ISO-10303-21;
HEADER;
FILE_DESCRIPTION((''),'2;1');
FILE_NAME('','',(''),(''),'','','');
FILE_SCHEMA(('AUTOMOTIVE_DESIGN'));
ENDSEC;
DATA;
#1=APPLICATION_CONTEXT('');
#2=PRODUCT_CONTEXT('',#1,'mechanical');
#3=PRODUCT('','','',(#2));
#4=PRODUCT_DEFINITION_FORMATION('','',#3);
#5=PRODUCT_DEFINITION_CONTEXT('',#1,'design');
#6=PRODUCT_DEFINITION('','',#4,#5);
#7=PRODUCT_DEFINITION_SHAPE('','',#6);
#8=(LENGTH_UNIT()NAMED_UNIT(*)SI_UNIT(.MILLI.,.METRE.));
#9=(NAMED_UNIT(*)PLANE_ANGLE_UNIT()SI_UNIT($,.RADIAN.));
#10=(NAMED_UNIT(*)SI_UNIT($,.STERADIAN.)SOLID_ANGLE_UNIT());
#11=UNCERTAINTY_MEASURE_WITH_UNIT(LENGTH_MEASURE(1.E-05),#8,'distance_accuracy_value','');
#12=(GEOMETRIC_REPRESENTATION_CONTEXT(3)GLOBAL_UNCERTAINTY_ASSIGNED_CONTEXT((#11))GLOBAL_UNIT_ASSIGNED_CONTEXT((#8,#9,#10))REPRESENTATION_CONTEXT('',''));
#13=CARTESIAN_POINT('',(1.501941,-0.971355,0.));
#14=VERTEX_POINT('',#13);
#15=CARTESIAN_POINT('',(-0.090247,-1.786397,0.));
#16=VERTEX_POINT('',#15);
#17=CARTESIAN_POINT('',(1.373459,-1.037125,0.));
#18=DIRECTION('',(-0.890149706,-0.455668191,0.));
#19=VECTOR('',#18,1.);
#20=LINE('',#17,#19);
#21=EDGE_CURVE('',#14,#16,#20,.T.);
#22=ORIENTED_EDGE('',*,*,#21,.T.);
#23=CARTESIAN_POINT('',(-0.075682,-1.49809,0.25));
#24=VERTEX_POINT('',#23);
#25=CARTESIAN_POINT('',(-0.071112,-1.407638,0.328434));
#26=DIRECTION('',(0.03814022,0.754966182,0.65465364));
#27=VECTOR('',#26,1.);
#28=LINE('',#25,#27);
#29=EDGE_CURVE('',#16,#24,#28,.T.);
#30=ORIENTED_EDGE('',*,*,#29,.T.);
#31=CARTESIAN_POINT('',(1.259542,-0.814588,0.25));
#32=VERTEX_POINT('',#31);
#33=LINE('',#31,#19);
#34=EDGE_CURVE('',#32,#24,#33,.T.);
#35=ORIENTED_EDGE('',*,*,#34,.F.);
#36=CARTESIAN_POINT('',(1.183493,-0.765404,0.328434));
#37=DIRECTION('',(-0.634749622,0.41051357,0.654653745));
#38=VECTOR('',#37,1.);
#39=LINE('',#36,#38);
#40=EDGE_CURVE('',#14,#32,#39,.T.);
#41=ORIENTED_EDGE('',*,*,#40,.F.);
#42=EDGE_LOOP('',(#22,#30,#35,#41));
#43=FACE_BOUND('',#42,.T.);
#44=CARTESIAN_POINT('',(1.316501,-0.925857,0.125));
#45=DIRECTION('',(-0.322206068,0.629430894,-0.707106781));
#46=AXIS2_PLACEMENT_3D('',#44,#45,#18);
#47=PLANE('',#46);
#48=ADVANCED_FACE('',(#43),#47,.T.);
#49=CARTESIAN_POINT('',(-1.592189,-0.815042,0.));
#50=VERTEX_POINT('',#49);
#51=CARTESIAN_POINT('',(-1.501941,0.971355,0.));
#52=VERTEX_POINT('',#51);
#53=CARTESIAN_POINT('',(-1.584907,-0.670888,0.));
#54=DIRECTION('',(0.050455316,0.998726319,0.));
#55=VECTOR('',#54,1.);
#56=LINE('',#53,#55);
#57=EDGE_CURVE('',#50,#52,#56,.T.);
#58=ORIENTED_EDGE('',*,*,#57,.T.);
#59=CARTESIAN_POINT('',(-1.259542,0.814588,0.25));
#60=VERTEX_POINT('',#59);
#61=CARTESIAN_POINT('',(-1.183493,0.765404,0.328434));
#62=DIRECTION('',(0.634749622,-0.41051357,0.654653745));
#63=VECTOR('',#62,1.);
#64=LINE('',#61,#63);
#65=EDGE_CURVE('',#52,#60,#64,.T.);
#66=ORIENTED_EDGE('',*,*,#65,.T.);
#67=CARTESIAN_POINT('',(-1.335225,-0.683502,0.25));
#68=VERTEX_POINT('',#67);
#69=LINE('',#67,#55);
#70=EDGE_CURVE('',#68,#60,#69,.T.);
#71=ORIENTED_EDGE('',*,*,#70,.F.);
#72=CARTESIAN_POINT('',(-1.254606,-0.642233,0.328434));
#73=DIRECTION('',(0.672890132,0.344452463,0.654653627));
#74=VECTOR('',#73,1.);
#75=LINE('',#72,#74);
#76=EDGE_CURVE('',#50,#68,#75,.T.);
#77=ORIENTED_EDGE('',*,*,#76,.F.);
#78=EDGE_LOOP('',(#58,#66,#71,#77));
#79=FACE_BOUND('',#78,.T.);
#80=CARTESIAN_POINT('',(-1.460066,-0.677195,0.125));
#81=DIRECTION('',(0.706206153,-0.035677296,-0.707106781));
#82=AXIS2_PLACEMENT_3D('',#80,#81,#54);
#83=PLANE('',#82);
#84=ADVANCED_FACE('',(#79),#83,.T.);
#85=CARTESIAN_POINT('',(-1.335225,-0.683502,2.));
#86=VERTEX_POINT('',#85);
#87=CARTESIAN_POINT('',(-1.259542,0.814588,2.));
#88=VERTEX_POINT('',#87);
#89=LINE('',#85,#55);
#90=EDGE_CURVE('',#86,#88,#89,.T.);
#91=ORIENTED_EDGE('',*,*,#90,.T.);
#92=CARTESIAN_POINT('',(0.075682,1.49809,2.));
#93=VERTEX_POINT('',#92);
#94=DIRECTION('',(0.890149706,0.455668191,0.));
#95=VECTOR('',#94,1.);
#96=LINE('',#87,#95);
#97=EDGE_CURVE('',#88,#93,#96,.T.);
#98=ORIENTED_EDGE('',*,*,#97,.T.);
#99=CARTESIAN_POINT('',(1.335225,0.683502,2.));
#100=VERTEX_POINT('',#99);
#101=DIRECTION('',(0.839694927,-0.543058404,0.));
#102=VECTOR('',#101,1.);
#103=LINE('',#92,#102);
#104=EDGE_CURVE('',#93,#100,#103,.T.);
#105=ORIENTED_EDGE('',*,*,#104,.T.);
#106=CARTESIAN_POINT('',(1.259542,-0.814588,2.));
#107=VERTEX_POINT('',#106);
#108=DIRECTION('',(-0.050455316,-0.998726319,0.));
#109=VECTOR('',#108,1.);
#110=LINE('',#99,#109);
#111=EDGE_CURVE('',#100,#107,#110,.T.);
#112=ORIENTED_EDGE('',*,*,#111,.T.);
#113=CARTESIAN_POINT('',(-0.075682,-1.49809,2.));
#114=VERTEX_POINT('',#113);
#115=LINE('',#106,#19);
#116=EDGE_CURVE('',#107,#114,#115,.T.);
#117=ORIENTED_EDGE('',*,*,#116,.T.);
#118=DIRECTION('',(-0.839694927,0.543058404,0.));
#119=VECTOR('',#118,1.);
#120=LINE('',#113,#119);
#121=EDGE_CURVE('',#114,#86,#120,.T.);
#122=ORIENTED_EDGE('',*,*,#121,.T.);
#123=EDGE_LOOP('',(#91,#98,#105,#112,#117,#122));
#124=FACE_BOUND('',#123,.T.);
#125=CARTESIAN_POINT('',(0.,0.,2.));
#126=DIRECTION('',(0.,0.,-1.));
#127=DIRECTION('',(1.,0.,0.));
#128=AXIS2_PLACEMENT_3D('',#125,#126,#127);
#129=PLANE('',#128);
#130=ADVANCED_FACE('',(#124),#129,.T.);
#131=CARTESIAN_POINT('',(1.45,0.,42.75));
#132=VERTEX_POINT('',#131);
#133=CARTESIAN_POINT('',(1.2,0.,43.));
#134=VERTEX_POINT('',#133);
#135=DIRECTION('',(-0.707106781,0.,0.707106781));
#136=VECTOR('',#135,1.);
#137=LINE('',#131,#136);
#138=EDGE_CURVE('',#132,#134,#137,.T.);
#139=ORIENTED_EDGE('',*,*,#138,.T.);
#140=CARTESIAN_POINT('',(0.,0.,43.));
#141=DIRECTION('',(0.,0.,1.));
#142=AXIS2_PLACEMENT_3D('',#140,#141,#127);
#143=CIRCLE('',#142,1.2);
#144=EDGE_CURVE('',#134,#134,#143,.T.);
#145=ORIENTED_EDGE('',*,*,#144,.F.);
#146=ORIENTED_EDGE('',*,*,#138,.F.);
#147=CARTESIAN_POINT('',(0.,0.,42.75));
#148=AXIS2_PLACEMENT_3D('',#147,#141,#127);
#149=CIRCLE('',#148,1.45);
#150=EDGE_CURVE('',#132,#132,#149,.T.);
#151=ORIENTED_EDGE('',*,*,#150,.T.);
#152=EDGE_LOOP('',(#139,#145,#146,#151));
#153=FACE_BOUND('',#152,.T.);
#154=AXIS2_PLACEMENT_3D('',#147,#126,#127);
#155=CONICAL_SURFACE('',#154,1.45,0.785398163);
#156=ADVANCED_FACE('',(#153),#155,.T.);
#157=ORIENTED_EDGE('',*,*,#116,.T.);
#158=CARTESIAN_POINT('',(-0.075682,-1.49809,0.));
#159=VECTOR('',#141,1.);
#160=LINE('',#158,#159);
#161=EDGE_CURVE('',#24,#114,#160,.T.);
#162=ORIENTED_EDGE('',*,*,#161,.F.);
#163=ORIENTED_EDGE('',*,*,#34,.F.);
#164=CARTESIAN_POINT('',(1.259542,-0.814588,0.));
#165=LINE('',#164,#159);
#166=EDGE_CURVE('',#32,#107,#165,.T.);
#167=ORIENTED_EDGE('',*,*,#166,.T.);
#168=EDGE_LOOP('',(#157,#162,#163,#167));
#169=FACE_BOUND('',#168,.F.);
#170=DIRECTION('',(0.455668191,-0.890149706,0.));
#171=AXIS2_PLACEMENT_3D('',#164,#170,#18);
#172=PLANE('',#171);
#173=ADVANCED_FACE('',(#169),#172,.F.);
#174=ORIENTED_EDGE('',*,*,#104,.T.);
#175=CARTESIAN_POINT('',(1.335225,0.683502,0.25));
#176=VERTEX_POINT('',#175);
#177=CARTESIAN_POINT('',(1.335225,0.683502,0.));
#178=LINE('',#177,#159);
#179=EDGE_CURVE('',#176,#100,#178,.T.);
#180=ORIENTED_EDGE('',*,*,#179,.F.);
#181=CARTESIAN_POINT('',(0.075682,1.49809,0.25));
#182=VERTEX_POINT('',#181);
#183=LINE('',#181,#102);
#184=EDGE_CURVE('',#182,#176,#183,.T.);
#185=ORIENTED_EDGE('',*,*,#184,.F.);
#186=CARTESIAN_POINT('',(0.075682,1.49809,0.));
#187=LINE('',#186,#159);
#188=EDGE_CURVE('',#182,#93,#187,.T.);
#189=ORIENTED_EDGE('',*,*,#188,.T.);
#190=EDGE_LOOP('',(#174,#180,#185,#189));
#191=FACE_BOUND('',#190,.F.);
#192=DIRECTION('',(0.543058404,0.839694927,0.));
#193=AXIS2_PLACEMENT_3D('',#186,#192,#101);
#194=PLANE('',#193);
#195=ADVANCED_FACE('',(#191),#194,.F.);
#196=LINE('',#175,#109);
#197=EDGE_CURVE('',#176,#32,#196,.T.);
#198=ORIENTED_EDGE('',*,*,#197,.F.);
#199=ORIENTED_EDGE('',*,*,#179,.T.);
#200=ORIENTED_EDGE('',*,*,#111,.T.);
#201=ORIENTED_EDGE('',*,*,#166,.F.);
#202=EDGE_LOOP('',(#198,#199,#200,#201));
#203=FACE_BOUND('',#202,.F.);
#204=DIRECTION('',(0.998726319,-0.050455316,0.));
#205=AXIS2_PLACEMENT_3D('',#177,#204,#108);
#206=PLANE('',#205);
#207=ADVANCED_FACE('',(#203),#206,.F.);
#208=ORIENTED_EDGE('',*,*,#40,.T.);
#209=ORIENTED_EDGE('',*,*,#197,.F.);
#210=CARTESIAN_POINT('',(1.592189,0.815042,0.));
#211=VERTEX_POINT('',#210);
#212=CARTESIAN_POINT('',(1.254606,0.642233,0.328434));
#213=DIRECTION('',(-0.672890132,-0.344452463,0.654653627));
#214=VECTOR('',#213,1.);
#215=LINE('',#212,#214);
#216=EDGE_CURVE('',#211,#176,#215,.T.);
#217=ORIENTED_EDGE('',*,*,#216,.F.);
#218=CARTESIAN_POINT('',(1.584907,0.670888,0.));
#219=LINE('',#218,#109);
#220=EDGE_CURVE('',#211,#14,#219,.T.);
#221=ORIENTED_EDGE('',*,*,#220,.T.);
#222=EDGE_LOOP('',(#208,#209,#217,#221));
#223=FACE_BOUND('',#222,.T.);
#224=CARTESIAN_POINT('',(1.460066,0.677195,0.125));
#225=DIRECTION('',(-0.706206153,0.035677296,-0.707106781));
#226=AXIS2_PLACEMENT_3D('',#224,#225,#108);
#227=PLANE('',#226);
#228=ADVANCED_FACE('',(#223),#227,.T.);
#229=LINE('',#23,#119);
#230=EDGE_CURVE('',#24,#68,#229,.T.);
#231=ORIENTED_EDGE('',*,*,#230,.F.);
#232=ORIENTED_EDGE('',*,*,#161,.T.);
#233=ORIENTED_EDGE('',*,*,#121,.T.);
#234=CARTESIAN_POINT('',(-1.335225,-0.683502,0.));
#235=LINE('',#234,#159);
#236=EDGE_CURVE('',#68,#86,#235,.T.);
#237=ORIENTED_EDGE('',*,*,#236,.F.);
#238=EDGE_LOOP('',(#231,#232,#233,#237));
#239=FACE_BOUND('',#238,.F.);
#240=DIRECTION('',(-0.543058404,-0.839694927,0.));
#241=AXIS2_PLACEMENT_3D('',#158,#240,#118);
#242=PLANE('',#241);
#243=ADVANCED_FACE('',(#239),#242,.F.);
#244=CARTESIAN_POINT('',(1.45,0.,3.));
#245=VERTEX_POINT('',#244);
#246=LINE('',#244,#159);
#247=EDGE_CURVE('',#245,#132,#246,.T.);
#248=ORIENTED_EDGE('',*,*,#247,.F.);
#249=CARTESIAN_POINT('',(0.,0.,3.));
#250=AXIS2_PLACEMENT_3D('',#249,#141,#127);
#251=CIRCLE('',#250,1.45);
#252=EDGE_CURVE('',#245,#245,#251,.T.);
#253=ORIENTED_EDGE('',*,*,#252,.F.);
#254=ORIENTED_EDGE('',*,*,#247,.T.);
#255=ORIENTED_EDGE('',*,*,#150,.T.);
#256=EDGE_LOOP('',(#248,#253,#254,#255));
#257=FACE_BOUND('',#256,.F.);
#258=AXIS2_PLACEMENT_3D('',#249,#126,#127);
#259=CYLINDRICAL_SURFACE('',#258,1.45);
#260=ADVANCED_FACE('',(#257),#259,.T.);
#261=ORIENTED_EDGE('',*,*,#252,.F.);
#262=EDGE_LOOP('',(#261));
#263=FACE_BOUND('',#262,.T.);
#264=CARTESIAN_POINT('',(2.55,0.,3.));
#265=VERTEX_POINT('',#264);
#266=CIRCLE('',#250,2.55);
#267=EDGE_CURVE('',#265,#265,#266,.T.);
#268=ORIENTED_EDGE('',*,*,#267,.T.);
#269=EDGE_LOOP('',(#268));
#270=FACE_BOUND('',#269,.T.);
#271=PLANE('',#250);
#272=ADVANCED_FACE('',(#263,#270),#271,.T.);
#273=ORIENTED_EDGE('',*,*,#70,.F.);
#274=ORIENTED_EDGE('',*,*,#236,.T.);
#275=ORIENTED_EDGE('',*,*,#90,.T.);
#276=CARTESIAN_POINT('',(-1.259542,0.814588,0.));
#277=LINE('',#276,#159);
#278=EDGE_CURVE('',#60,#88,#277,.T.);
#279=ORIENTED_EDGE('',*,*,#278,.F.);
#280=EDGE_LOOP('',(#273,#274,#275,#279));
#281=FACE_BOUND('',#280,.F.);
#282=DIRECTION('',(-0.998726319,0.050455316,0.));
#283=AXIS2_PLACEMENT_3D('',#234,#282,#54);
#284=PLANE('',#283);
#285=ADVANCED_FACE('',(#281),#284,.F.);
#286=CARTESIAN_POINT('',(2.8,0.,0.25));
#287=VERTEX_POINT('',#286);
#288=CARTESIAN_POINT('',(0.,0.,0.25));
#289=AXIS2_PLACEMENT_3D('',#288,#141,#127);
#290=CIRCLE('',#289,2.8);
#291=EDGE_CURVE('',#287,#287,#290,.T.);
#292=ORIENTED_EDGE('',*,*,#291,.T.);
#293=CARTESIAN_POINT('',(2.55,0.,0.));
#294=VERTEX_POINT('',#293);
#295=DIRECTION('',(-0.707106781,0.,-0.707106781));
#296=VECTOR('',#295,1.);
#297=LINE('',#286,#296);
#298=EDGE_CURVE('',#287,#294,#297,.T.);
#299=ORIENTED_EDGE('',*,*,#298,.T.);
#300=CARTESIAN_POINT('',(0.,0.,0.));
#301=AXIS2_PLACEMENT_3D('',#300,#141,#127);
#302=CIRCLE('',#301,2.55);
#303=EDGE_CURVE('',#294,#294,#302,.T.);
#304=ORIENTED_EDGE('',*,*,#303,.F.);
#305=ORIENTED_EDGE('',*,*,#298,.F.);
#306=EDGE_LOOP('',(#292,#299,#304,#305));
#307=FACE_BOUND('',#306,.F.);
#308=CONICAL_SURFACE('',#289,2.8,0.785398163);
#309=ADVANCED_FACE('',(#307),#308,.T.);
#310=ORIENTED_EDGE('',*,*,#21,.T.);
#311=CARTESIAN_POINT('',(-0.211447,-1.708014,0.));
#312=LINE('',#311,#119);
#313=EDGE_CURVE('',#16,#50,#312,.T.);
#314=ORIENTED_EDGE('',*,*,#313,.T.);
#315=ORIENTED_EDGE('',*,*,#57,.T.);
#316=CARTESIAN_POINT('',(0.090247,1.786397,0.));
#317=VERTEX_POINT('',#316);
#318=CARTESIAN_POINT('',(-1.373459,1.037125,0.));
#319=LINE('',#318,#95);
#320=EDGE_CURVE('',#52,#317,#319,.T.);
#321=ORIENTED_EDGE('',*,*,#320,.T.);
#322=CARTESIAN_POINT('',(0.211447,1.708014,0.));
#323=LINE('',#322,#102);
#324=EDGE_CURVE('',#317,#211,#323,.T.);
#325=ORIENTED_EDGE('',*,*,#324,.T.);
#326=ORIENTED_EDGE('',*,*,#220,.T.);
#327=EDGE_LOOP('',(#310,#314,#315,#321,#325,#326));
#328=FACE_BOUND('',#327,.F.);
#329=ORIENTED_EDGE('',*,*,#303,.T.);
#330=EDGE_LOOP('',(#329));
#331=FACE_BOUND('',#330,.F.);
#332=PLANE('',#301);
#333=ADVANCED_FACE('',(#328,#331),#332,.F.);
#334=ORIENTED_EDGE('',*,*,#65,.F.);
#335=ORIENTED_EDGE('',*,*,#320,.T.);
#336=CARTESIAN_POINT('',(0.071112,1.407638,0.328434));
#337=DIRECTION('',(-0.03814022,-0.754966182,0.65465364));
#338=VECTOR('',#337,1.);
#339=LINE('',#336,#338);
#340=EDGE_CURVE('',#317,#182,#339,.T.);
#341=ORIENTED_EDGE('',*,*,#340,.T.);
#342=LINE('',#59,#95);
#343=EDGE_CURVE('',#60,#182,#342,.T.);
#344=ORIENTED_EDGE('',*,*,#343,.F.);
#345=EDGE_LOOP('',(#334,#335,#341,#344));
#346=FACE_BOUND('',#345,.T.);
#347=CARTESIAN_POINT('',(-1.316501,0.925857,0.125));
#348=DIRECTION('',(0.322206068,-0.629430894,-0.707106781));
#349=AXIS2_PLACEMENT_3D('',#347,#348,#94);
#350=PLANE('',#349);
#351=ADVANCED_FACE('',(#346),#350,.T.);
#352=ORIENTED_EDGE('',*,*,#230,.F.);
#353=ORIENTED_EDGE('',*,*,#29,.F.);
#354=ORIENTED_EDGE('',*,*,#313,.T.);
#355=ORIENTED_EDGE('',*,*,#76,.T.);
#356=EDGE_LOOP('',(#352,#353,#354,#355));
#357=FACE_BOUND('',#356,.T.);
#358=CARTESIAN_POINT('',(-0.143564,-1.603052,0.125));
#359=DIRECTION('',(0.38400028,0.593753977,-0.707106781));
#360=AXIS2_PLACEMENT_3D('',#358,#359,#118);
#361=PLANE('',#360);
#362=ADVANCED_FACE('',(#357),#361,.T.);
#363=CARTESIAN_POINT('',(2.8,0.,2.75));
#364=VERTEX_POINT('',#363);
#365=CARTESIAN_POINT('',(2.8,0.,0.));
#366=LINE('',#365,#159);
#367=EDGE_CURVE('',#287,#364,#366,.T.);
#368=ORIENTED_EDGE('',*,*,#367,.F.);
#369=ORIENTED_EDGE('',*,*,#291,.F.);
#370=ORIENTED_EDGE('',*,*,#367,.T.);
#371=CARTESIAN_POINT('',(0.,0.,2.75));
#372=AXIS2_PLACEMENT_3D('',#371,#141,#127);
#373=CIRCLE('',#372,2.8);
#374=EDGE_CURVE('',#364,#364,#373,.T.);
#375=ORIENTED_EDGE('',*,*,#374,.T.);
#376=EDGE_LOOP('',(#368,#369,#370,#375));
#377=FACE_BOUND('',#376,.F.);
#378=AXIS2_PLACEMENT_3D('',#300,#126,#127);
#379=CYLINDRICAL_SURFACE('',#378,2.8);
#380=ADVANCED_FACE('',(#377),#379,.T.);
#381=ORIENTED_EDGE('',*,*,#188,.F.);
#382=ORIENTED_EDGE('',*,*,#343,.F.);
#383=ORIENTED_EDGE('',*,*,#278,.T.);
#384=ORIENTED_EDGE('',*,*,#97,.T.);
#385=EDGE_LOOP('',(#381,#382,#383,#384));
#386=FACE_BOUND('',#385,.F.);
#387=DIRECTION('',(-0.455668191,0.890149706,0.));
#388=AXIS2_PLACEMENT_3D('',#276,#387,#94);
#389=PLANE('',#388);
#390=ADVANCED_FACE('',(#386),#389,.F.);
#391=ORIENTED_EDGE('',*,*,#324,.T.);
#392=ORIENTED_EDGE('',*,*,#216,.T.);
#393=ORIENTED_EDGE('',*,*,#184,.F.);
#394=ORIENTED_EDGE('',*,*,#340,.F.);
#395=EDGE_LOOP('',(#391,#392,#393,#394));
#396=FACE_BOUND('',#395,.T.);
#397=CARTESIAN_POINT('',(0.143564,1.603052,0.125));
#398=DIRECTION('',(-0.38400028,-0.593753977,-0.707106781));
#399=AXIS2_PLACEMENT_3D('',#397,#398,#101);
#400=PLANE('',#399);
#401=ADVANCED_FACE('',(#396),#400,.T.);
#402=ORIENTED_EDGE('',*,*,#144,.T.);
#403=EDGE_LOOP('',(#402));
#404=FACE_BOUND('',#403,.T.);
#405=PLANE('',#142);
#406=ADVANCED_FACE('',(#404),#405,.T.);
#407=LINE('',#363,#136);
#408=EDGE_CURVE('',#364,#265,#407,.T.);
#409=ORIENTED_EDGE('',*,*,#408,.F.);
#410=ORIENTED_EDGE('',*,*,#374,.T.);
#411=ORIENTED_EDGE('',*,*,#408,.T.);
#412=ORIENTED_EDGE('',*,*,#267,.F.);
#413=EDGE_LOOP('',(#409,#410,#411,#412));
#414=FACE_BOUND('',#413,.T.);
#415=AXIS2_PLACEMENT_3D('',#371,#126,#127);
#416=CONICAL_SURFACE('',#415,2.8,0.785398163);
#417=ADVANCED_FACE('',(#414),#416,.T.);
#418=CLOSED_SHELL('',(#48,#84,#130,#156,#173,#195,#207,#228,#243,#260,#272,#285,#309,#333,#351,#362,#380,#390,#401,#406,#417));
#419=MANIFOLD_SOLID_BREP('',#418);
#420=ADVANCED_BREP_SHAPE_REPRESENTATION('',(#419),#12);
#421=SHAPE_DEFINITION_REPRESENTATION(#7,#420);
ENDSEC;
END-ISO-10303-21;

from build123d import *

# Parameters (mm, degrees)
SKETCH_R     = 2.8
PAD_DEPTH    = 3
SKETCH001_R  = 1.45
PAD001_DEPTH = 40
POCKET_DEPTH = 2
CHAMFER_SIZE = 0.25


with BuildPart() as part:
    # Sketch → Pad (new body)
    with BuildSketch(Plane.XY):
        Circle(SKETCH_R)
    extrude(amount=PAD_DEPTH)

    # Sketch001 (on Face3 of Pad) → Pad001 (join)
    with BuildSketch(Plane.XY.offset(3)):
        Circle(SKETCH001_R)
    extrude(amount=PAD001_DEPTH)

    # Sketch002 (on Face2 of Pad001) → Pocket (cut)
    with BuildSketch(Plane(origin=(0, 0, 0), x_dir=(1, 0, 0), z_dir=(0, 0, -1))):
        Polygon((1.259542, 0.814588), (-0.075682, 1.49809), (-1.335225, 0.683502), (-1.259542, -0.814588), (0.075682, -1.49809), (1.335225, -0.683502), align=None)
    extrude(amount=-POCKET_DEPTH, mode=Mode.SUBTRACT)

    # Chamfer
    chamfer_edges = [part.edges().sort_by_distance(p)[0] for p in [
        (-2.8, 0, 3),
        (-2.8, 0, 0),
        (1.297384, -0.065543, 0),
        (0.705454, 1.090796, 0),
        (-0.59193, 1.156339, 0),
        (-1.297384, 0.065543, 0),
        (-0.705454, -1.090796, 0),
        (0.59193, -1.156339, 0),
        (-1.45, 0, 43),
    ]]
    chamfer(chamfer_edges, length=CHAMFER_SIZE)


solid = part.part
